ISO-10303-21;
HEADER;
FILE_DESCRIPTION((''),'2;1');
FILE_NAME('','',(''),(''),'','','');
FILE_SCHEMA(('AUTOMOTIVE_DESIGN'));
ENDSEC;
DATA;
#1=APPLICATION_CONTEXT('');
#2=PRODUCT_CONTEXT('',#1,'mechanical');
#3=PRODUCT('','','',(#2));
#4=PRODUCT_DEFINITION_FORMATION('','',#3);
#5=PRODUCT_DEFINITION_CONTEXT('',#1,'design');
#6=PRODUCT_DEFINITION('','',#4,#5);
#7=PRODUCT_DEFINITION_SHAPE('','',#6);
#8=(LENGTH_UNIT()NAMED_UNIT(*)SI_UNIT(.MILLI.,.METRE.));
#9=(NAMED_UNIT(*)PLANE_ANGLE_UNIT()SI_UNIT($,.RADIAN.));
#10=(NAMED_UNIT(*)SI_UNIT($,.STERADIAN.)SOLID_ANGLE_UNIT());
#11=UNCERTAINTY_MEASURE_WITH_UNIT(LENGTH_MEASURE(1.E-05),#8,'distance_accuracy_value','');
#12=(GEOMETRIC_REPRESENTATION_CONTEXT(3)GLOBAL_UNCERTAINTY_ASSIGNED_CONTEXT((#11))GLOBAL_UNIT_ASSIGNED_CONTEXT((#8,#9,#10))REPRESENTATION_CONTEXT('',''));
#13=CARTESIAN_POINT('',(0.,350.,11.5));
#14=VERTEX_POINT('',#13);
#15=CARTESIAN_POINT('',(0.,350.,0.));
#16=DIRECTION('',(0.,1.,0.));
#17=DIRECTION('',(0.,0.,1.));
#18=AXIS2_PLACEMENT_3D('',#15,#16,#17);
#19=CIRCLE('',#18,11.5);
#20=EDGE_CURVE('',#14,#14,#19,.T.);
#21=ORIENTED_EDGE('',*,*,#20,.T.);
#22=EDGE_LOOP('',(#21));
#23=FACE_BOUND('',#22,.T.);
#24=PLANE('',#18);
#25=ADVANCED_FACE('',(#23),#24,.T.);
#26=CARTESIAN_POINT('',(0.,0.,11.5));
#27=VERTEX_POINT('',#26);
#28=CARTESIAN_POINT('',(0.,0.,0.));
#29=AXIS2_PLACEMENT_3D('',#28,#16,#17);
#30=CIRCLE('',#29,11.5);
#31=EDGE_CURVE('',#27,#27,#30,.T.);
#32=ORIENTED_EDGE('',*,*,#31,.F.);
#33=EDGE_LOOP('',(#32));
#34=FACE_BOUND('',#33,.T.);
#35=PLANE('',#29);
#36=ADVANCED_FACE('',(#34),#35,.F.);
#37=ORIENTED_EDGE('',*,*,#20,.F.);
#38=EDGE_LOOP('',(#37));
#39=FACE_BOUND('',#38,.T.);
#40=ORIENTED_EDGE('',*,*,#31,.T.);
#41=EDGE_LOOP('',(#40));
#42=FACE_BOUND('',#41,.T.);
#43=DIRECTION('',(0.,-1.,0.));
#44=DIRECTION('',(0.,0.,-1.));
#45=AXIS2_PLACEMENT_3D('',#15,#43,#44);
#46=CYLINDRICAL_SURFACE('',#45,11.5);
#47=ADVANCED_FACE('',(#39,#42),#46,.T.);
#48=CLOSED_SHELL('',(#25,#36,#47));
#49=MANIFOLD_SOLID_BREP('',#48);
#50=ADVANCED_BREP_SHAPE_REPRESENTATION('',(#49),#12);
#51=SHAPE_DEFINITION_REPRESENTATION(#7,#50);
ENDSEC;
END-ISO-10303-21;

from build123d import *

# Parameters (mm, degrees)
SKETCH_1_R      = 11.5
EXTRUDE_1_DEPTH = 350


with BuildPart() as part:
    # 草圖1 → 填料-伸長1 (new body)
    with BuildSketch(Plane(origin=(0, 0, 0), x_dir=(1, 0, 0), z_dir=(0, 1, 0))):
        with Locations(Location((0, 0, 0), (0, 0, 270))):
            Circle(SKETCH_1_R)
    extrude(amount=EXTRUDE_1_DEPTH)


solid = part.part
